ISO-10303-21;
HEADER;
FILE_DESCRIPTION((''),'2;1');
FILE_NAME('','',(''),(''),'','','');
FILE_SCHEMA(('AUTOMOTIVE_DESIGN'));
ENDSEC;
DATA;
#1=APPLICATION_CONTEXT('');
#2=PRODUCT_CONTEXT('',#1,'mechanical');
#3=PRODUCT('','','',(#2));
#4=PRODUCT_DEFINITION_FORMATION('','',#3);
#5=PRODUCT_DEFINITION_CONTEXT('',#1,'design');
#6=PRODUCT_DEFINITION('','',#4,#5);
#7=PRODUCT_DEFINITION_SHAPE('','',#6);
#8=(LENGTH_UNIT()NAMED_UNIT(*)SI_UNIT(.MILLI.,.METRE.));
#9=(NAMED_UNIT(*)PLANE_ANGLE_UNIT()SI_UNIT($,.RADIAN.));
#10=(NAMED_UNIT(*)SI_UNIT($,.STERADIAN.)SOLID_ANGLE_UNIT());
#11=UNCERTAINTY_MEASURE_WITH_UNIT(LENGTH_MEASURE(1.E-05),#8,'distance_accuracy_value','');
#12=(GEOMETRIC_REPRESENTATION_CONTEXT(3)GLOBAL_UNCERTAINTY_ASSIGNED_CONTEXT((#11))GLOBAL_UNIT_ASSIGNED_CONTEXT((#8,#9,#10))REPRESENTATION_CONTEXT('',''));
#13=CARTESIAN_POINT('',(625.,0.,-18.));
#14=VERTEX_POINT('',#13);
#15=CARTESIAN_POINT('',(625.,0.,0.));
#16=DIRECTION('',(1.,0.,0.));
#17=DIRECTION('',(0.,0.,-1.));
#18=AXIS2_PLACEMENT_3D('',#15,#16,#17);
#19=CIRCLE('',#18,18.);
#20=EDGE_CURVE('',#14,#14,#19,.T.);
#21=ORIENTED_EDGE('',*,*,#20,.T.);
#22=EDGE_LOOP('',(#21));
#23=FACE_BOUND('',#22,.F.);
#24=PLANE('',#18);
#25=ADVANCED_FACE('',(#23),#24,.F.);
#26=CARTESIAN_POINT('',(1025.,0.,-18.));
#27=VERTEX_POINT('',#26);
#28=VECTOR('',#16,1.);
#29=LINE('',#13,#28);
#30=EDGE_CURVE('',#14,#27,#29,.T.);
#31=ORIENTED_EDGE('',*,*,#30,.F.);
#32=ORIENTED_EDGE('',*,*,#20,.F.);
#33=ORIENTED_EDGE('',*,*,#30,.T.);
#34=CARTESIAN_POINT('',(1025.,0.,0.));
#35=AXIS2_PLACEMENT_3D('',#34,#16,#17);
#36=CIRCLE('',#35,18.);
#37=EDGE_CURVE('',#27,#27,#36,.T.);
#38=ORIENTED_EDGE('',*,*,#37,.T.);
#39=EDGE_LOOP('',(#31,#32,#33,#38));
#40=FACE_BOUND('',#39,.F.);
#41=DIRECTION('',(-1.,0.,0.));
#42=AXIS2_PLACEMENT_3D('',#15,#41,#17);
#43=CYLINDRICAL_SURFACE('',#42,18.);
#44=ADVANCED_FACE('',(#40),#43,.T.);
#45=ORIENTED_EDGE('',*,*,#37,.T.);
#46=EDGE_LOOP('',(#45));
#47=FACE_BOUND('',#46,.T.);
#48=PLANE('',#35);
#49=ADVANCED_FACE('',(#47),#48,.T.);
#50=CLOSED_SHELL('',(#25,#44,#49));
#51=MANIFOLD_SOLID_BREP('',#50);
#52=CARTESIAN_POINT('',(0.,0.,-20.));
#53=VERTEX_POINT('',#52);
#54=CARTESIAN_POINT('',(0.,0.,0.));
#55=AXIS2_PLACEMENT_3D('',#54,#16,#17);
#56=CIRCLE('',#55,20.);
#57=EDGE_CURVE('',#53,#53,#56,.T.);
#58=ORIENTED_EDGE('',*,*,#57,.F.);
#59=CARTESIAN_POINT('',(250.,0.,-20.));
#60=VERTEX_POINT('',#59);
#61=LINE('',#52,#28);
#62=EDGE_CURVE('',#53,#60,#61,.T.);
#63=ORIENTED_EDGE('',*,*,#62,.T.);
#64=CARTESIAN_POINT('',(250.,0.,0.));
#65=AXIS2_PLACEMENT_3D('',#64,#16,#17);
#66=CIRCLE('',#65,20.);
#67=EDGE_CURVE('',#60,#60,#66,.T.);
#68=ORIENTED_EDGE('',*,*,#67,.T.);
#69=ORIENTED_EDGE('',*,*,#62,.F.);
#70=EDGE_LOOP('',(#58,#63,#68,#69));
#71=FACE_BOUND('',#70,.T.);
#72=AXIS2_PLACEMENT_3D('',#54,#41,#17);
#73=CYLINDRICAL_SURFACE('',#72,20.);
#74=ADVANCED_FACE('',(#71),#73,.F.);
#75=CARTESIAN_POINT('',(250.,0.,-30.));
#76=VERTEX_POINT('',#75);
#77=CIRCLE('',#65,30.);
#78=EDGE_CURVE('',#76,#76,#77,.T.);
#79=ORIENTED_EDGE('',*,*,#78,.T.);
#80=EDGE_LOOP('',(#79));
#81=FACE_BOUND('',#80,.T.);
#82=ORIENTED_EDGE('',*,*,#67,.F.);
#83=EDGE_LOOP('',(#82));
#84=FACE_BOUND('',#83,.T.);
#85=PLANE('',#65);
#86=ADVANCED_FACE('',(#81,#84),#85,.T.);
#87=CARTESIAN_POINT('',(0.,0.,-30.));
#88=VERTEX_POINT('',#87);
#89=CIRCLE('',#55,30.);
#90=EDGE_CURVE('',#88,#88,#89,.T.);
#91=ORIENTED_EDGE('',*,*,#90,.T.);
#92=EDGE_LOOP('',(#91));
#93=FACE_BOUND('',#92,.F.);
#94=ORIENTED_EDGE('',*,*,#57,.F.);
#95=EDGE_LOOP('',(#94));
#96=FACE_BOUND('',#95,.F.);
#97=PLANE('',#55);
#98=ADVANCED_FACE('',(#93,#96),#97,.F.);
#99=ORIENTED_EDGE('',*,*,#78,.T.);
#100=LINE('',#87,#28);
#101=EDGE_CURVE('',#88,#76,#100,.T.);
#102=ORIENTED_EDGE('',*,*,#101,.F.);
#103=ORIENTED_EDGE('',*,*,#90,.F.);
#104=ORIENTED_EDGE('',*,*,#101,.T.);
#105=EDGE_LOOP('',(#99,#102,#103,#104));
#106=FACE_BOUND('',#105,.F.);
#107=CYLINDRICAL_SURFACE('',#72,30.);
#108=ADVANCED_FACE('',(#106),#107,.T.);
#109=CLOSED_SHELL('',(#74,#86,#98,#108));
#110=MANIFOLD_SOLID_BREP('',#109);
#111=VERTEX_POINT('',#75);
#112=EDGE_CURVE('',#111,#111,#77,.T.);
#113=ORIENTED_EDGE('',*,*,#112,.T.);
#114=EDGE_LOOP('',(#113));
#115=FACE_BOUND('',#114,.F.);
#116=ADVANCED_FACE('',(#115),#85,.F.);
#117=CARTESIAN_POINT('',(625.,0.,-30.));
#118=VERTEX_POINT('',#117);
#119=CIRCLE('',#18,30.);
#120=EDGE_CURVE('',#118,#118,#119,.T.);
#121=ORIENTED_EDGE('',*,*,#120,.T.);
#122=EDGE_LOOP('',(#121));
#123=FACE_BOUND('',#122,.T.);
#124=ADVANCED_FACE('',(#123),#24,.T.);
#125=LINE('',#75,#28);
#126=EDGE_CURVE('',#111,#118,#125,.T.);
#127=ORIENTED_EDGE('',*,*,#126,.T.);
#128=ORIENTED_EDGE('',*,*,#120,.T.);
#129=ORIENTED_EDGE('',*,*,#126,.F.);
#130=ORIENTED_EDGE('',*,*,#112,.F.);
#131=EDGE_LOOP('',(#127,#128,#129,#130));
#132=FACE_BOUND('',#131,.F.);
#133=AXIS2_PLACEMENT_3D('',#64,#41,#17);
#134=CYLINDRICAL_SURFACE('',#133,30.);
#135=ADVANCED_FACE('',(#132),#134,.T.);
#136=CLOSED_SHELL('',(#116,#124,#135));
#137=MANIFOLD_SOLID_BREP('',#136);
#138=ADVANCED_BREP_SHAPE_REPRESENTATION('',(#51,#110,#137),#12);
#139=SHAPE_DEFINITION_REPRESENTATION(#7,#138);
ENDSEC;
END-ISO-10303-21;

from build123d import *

# Parameters (mm, degrees)
SKETCH1_R           = 30
SKETCH1_R_2         = 20
BOSS_EXTRUDE1_DEPTH = 250
SKETCH2_R           = 30
BOSS_EXTRUDE2_DEPTH = 375
SKETCH3_R           = 18
BOSS_EXTRUDE3_DEPTH = 400


with BuildPart() as part:
    # Sketch1 → Boss-Extrude1 (new body)
    with BuildSketch(Plane(origin=(0, 0, 0), x_dir=(0, 0, -1), z_dir=(1, 0, 0))):
        Circle(SKETCH1_R)
        Circle(SKETCH1_R_2, mode=Mode.SUBTRACT)
    extrude(amount=BOSS_EXTRUDE1_DEPTH)


with BuildPart() as body_2:
    # Sketch2 → Boss-Extrude2 (new body)
    with BuildSketch(Plane(origin=(250, 0, 0), x_dir=(0, 0, -1), z_dir=(1, 0, 0))):
        Circle(SKETCH2_R)
    extrude(amount=BOSS_EXTRUDE2_DEPTH)


with BuildPart() as body_3:
    # Sketch3 → Boss-Extrude3 (new body)
    with BuildSketch(Plane(origin=(625, 0, 0), x_dir=(0, 0, -1), z_dir=(1, 0, 0))):
        Circle(SKETCH3_R)
    extrude(amount=BOSS_EXTRUDE3_DEPTH)


solid = Compound([part.part, body_2.part, body_3.part])
